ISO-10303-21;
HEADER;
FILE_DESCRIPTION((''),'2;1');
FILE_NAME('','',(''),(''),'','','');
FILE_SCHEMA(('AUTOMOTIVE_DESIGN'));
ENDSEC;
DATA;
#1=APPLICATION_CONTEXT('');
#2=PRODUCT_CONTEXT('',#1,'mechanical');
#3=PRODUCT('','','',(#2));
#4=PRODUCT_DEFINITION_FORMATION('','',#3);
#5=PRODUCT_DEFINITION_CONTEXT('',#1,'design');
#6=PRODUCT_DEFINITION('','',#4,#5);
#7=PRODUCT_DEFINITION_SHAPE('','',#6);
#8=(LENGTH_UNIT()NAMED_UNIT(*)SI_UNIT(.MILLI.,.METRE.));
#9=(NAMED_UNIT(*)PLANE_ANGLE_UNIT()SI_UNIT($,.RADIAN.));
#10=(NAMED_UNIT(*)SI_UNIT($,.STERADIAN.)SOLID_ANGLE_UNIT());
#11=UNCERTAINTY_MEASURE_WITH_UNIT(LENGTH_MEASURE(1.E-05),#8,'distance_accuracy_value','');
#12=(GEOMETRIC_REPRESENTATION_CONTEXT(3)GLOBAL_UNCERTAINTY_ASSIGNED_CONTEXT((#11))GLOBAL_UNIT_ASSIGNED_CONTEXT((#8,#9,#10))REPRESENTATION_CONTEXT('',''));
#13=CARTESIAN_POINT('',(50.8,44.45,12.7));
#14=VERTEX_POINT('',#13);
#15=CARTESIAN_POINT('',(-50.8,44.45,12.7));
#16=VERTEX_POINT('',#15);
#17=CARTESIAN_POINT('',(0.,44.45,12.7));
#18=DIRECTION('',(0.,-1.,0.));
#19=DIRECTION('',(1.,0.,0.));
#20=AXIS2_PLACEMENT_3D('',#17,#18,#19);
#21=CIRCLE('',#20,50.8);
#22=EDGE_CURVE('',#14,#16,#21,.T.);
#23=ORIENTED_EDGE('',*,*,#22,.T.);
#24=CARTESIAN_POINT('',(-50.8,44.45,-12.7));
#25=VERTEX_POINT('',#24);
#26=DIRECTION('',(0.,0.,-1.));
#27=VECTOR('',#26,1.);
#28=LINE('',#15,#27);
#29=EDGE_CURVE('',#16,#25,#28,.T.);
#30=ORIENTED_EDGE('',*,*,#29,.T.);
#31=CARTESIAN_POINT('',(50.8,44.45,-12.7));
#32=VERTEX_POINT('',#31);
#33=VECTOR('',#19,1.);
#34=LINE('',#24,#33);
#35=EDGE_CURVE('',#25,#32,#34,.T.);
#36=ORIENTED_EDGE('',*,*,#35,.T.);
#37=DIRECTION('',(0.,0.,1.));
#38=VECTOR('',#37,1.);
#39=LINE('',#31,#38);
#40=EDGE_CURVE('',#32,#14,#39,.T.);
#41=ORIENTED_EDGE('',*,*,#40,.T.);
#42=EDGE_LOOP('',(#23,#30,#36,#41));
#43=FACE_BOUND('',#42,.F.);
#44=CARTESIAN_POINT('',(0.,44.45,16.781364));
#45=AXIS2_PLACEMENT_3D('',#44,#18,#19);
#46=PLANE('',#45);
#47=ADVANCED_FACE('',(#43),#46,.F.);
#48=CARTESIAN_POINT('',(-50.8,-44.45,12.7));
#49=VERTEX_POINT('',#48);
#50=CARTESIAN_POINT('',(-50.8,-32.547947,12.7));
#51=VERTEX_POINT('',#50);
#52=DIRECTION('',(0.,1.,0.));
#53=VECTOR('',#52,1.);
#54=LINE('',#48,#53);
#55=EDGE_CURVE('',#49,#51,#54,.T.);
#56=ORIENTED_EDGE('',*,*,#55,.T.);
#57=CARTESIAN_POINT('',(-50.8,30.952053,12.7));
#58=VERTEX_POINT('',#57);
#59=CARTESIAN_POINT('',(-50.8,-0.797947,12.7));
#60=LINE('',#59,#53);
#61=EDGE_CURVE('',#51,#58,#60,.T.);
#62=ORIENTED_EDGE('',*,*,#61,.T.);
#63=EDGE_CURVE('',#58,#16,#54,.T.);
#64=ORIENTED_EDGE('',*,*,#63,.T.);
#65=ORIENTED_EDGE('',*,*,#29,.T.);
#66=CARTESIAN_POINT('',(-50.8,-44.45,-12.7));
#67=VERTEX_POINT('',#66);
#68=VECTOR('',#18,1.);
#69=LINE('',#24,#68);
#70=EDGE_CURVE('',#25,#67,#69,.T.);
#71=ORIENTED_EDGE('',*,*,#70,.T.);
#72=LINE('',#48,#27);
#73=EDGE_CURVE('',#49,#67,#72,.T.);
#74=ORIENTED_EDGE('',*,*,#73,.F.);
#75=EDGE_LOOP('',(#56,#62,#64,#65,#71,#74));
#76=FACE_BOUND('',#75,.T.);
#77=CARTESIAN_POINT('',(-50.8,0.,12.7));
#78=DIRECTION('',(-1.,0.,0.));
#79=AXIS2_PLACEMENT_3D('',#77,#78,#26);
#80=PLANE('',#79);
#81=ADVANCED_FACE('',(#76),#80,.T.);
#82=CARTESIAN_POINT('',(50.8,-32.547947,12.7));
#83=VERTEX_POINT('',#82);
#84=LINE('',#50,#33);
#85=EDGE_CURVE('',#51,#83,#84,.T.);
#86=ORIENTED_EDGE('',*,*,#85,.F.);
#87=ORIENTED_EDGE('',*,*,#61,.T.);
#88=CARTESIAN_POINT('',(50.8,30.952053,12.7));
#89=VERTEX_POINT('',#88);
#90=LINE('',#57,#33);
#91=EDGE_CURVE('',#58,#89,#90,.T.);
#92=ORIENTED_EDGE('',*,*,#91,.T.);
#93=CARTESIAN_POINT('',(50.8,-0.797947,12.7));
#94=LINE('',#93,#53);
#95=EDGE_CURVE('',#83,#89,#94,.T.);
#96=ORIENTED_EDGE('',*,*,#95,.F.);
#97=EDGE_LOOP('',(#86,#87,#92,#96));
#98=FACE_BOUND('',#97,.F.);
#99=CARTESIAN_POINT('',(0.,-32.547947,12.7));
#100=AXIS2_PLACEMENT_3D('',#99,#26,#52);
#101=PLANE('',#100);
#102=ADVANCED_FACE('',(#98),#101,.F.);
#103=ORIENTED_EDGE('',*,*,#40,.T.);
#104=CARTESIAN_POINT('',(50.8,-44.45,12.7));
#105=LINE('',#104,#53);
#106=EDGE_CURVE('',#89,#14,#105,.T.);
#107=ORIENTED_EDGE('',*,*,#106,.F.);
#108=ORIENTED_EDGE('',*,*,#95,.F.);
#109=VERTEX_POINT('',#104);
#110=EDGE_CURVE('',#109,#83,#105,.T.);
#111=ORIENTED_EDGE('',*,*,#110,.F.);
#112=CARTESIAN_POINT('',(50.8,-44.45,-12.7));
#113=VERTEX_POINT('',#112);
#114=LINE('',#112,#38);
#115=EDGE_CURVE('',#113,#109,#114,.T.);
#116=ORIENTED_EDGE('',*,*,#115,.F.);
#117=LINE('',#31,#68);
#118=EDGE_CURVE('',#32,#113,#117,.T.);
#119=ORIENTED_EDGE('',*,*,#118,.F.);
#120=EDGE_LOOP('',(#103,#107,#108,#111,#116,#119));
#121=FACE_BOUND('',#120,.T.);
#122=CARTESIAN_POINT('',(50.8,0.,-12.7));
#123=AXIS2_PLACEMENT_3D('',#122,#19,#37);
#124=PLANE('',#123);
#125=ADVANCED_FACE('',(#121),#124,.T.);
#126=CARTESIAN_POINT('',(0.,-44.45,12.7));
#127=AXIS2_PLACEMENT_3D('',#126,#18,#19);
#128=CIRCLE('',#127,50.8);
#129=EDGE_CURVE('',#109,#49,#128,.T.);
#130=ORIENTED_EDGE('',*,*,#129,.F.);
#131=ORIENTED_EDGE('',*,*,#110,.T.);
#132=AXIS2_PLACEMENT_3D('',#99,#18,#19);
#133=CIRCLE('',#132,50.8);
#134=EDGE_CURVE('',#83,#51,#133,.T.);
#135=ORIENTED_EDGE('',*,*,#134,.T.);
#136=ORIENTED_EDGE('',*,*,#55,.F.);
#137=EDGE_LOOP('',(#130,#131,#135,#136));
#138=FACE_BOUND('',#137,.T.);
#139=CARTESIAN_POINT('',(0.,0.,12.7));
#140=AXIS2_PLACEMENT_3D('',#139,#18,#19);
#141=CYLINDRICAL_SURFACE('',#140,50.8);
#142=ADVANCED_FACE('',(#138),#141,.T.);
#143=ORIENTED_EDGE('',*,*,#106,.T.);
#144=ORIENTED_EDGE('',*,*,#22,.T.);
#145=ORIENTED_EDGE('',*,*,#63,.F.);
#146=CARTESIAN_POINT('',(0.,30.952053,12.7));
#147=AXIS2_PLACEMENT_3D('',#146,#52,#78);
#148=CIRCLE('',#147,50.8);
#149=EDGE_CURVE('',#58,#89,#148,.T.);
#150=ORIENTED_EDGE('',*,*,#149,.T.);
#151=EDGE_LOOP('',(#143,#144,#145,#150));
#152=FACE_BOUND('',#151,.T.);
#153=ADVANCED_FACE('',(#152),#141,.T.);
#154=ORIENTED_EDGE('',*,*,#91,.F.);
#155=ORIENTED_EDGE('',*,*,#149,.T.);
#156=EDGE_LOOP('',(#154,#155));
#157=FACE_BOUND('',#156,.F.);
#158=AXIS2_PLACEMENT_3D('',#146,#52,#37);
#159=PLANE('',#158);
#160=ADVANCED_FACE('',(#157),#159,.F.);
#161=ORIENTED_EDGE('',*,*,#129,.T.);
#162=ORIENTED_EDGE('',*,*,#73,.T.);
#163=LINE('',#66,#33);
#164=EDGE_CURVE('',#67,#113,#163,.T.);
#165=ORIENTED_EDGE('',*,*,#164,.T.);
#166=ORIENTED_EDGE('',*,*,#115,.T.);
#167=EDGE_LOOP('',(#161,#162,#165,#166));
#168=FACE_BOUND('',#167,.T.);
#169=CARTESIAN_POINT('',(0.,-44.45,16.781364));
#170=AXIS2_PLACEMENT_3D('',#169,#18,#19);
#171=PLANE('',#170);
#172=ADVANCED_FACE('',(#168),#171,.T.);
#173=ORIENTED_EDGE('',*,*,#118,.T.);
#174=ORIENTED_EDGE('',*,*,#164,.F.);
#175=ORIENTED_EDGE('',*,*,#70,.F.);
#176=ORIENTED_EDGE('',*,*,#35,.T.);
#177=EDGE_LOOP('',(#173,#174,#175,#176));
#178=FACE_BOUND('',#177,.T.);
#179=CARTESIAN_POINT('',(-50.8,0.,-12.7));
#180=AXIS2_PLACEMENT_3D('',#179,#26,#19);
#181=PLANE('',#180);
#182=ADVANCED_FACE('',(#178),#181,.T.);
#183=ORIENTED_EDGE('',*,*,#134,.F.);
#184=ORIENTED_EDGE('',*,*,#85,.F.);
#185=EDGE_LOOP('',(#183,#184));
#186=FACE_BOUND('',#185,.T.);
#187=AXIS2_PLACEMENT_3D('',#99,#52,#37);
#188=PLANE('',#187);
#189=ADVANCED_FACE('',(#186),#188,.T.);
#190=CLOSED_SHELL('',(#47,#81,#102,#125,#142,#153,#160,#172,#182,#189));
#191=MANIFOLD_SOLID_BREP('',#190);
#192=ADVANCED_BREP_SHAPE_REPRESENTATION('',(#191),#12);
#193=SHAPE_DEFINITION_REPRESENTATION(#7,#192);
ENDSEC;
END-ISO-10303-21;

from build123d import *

# Parameters (mm, degrees)
F1_DEPTH = 44.45
F2_W     = 63.5
F2_H     = 50.8
F3_DEPTH = 50.8


with BuildPart() as f1:
    # F0 (on Front) → F1 (new body, symmetric)
    with BuildSketch(Plane.XZ):
        with BuildLine():
            Line((-50.8, 12.7), (-50.8, -12.7))
            Line((-50.8, -12.7), (50.8, -12.7))
            Line((50.8, -12.7), (50.8, 12.7))
            ThreePointArc((50.8, 12.7), (0, 63.5), (-50.8, 12.7))
        make_face()
    extrude(amount=F1_DEPTH, both=True)

    # F2 (on Right) → F3 (cut, symmetric)
    with BuildSketch(Plane.YZ):
        with Locations((-0.797947, 38.1)):
            Rectangle(F2_W, F2_H)
    extrude(amount=F3_DEPTH, both=True, mode=Mode.SUBTRACT)


solid = f1.part
